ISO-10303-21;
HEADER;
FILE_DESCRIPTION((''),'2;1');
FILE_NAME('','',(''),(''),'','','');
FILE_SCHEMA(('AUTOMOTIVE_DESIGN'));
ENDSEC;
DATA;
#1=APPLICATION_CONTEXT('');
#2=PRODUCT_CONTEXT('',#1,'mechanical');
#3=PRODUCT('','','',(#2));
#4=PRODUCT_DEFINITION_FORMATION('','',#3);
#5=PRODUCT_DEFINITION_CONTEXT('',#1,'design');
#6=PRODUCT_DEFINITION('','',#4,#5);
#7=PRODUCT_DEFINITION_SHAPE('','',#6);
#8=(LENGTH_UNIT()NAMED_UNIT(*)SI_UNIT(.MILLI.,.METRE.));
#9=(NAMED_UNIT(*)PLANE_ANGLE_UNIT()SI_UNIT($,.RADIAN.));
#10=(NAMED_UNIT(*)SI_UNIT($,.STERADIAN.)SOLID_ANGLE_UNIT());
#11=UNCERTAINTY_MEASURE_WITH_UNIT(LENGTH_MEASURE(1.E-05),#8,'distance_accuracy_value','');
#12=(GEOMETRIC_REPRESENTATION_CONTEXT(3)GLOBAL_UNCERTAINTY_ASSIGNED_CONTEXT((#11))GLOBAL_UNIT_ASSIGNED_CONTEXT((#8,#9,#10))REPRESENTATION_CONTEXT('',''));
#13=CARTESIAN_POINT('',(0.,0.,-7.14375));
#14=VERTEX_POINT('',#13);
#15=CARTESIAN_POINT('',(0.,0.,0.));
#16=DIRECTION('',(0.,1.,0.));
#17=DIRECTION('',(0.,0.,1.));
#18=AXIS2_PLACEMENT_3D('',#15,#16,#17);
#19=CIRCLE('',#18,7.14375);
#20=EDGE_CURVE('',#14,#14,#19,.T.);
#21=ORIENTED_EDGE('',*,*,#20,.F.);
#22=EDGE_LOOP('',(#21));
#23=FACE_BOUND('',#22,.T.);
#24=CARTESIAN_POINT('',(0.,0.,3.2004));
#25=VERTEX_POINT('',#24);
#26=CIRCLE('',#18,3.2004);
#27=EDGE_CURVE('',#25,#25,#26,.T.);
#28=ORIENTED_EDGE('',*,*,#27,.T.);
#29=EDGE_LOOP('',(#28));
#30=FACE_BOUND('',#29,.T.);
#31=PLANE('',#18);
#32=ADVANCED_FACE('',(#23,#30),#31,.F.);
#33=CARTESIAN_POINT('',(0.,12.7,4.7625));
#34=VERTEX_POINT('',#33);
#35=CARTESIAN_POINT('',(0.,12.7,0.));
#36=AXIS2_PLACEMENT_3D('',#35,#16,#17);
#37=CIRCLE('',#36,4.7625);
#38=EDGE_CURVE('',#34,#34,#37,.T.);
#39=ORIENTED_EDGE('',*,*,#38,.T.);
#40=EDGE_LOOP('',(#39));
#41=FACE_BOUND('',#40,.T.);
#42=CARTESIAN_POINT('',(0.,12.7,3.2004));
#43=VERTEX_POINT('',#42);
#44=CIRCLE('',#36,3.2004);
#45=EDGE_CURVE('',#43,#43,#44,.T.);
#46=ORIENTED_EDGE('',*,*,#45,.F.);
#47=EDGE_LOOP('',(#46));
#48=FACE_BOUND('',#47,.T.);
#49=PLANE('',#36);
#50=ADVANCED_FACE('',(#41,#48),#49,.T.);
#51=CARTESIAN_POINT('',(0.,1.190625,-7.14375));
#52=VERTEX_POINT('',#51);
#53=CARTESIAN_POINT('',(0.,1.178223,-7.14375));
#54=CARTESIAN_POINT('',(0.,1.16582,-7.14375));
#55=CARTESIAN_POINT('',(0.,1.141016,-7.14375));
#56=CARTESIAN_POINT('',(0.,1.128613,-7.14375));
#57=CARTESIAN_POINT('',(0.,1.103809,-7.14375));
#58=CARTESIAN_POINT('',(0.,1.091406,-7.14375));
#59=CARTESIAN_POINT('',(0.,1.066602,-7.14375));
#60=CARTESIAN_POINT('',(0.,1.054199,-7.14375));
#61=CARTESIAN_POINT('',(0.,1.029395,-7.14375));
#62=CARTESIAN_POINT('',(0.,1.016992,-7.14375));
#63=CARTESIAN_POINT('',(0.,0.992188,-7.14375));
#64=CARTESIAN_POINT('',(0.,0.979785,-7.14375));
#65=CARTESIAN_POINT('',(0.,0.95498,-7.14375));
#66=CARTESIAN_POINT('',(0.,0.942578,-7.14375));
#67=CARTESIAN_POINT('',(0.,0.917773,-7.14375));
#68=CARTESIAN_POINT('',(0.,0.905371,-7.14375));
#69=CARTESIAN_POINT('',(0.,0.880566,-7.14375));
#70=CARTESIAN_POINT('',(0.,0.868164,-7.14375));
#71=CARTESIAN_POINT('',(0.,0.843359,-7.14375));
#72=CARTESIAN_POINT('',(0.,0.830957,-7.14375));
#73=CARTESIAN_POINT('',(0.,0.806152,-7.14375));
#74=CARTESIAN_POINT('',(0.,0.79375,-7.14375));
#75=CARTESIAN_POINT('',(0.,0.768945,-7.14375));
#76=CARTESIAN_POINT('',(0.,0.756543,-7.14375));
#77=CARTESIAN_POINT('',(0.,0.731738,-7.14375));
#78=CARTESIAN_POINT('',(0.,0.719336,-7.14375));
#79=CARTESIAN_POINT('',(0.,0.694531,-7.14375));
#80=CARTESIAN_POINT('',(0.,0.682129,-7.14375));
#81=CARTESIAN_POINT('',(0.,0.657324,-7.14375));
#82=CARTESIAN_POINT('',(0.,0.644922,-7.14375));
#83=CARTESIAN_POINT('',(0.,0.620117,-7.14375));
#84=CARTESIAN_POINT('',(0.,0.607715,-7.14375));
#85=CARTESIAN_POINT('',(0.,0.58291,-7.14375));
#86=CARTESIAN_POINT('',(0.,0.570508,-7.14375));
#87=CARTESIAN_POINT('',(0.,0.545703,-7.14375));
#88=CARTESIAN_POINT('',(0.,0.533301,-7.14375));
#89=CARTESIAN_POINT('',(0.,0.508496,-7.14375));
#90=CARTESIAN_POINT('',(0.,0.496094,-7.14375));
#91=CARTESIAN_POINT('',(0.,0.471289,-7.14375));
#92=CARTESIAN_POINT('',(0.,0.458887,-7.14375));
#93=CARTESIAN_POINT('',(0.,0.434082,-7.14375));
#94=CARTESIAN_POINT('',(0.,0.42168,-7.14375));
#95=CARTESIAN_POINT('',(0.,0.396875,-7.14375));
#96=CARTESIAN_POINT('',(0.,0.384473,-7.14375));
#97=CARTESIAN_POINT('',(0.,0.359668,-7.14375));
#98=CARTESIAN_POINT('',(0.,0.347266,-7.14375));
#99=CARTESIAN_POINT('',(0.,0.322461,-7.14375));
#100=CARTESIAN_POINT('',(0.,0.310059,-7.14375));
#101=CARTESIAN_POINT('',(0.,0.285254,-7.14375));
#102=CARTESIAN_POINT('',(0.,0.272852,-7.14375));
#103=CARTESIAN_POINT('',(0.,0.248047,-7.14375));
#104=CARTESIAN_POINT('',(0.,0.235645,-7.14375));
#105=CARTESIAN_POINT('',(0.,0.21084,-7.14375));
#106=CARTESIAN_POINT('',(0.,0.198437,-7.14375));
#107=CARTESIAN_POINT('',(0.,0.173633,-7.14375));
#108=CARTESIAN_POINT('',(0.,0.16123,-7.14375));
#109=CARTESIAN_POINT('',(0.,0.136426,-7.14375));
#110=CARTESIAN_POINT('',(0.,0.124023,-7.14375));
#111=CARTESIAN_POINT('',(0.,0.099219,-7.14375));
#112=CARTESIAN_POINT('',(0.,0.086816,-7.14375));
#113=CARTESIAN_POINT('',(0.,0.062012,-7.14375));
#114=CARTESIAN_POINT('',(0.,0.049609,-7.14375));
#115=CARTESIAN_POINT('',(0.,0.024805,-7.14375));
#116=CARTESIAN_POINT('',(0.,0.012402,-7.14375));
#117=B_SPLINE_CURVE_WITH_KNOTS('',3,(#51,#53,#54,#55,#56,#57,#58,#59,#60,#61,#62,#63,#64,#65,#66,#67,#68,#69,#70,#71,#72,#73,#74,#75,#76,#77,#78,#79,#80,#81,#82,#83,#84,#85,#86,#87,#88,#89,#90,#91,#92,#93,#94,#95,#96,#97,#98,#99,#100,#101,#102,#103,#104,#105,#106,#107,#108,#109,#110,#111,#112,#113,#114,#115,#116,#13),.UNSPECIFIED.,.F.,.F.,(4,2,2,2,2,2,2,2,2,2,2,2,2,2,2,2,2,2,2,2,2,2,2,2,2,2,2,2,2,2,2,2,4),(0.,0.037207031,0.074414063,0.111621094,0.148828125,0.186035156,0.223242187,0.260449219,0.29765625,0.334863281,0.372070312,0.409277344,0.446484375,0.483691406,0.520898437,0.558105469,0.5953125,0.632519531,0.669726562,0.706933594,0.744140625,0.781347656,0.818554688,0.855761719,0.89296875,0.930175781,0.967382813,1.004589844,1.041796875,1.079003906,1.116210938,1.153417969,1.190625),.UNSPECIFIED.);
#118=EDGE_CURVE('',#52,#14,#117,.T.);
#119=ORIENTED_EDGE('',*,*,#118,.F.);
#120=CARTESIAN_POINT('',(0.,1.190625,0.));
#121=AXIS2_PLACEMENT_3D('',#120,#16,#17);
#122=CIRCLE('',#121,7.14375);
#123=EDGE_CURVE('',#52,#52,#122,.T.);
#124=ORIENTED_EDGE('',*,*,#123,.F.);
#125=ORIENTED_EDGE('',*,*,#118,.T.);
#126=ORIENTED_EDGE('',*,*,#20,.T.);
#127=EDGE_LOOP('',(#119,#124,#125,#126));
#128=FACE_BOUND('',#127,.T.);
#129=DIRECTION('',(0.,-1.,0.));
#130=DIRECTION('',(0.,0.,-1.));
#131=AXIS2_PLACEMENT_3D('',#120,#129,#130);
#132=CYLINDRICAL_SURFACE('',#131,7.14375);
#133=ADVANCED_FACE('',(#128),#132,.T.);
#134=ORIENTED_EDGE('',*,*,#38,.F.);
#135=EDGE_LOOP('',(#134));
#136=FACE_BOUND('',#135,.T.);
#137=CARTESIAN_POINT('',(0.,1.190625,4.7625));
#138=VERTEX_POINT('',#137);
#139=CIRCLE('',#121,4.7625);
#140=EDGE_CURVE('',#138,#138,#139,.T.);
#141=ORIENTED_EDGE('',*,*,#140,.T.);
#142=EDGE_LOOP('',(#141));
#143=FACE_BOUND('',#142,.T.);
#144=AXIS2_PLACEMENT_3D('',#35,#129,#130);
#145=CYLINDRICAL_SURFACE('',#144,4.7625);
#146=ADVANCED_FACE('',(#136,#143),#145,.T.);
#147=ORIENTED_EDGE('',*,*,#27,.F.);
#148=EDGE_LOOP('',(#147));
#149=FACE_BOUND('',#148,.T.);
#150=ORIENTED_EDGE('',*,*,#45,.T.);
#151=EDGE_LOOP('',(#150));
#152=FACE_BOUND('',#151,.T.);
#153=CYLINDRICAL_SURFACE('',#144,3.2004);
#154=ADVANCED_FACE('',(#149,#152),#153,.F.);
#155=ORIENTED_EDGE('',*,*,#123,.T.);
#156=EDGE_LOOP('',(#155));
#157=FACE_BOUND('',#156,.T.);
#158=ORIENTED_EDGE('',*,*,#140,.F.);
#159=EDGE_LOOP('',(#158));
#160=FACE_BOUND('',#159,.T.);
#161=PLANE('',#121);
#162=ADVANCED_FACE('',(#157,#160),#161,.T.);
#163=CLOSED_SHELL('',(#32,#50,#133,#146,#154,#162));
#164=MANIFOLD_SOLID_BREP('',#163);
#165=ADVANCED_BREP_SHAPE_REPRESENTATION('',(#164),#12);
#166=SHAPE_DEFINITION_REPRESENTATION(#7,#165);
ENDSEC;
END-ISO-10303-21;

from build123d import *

# Parameters (mm, degrees)
SKETCH2_R           = 4.7625
SKETCH2_R_2         = 3.2004
BOSS_EXTRUDE1_DEPTH = 12.7
SKETCH3_R           = 7.14375
SKETCH3_R_2         = 4.7625
BOSS_EXTRUDE2_DEPTH = 1.190625


with BuildPart() as part:
    # Sketch2 → Boss-Extrude1 (new body)
    with BuildSketch(Plane(origin=(0, 0, 0), x_dir=(1, 0, 0), z_dir=(0, 1, 0))):
        with Locations(Location((0, 0, 0), (0, 0, 270))):
            Circle(SKETCH2_R)
        with Locations(Location((0, 0, 0), (0, 0, 270))):
            Circle(SKETCH2_R_2, mode=Mode.SUBTRACT)
    extrude(amount=BOSS_EXTRUDE1_DEPTH)

    # Sketch3 → Boss-Extrude2 (add)
    with BuildSketch(Plane(origin=(0, 0, 0), x_dir=(1, 0, 0), z_dir=(0, 1, 0))):
        with Locations(Location((0, 0, 0), (0, 0, 90))):
            Circle(SKETCH3_R)
        with Locations(Location((0, 0, 0), (0, 0, 270))):
            Circle(SKETCH3_R_2, mode=Mode.SUBTRACT)
    extrude(amount=BOSS_EXTRUDE2_DEPTH)


solid = part.part
